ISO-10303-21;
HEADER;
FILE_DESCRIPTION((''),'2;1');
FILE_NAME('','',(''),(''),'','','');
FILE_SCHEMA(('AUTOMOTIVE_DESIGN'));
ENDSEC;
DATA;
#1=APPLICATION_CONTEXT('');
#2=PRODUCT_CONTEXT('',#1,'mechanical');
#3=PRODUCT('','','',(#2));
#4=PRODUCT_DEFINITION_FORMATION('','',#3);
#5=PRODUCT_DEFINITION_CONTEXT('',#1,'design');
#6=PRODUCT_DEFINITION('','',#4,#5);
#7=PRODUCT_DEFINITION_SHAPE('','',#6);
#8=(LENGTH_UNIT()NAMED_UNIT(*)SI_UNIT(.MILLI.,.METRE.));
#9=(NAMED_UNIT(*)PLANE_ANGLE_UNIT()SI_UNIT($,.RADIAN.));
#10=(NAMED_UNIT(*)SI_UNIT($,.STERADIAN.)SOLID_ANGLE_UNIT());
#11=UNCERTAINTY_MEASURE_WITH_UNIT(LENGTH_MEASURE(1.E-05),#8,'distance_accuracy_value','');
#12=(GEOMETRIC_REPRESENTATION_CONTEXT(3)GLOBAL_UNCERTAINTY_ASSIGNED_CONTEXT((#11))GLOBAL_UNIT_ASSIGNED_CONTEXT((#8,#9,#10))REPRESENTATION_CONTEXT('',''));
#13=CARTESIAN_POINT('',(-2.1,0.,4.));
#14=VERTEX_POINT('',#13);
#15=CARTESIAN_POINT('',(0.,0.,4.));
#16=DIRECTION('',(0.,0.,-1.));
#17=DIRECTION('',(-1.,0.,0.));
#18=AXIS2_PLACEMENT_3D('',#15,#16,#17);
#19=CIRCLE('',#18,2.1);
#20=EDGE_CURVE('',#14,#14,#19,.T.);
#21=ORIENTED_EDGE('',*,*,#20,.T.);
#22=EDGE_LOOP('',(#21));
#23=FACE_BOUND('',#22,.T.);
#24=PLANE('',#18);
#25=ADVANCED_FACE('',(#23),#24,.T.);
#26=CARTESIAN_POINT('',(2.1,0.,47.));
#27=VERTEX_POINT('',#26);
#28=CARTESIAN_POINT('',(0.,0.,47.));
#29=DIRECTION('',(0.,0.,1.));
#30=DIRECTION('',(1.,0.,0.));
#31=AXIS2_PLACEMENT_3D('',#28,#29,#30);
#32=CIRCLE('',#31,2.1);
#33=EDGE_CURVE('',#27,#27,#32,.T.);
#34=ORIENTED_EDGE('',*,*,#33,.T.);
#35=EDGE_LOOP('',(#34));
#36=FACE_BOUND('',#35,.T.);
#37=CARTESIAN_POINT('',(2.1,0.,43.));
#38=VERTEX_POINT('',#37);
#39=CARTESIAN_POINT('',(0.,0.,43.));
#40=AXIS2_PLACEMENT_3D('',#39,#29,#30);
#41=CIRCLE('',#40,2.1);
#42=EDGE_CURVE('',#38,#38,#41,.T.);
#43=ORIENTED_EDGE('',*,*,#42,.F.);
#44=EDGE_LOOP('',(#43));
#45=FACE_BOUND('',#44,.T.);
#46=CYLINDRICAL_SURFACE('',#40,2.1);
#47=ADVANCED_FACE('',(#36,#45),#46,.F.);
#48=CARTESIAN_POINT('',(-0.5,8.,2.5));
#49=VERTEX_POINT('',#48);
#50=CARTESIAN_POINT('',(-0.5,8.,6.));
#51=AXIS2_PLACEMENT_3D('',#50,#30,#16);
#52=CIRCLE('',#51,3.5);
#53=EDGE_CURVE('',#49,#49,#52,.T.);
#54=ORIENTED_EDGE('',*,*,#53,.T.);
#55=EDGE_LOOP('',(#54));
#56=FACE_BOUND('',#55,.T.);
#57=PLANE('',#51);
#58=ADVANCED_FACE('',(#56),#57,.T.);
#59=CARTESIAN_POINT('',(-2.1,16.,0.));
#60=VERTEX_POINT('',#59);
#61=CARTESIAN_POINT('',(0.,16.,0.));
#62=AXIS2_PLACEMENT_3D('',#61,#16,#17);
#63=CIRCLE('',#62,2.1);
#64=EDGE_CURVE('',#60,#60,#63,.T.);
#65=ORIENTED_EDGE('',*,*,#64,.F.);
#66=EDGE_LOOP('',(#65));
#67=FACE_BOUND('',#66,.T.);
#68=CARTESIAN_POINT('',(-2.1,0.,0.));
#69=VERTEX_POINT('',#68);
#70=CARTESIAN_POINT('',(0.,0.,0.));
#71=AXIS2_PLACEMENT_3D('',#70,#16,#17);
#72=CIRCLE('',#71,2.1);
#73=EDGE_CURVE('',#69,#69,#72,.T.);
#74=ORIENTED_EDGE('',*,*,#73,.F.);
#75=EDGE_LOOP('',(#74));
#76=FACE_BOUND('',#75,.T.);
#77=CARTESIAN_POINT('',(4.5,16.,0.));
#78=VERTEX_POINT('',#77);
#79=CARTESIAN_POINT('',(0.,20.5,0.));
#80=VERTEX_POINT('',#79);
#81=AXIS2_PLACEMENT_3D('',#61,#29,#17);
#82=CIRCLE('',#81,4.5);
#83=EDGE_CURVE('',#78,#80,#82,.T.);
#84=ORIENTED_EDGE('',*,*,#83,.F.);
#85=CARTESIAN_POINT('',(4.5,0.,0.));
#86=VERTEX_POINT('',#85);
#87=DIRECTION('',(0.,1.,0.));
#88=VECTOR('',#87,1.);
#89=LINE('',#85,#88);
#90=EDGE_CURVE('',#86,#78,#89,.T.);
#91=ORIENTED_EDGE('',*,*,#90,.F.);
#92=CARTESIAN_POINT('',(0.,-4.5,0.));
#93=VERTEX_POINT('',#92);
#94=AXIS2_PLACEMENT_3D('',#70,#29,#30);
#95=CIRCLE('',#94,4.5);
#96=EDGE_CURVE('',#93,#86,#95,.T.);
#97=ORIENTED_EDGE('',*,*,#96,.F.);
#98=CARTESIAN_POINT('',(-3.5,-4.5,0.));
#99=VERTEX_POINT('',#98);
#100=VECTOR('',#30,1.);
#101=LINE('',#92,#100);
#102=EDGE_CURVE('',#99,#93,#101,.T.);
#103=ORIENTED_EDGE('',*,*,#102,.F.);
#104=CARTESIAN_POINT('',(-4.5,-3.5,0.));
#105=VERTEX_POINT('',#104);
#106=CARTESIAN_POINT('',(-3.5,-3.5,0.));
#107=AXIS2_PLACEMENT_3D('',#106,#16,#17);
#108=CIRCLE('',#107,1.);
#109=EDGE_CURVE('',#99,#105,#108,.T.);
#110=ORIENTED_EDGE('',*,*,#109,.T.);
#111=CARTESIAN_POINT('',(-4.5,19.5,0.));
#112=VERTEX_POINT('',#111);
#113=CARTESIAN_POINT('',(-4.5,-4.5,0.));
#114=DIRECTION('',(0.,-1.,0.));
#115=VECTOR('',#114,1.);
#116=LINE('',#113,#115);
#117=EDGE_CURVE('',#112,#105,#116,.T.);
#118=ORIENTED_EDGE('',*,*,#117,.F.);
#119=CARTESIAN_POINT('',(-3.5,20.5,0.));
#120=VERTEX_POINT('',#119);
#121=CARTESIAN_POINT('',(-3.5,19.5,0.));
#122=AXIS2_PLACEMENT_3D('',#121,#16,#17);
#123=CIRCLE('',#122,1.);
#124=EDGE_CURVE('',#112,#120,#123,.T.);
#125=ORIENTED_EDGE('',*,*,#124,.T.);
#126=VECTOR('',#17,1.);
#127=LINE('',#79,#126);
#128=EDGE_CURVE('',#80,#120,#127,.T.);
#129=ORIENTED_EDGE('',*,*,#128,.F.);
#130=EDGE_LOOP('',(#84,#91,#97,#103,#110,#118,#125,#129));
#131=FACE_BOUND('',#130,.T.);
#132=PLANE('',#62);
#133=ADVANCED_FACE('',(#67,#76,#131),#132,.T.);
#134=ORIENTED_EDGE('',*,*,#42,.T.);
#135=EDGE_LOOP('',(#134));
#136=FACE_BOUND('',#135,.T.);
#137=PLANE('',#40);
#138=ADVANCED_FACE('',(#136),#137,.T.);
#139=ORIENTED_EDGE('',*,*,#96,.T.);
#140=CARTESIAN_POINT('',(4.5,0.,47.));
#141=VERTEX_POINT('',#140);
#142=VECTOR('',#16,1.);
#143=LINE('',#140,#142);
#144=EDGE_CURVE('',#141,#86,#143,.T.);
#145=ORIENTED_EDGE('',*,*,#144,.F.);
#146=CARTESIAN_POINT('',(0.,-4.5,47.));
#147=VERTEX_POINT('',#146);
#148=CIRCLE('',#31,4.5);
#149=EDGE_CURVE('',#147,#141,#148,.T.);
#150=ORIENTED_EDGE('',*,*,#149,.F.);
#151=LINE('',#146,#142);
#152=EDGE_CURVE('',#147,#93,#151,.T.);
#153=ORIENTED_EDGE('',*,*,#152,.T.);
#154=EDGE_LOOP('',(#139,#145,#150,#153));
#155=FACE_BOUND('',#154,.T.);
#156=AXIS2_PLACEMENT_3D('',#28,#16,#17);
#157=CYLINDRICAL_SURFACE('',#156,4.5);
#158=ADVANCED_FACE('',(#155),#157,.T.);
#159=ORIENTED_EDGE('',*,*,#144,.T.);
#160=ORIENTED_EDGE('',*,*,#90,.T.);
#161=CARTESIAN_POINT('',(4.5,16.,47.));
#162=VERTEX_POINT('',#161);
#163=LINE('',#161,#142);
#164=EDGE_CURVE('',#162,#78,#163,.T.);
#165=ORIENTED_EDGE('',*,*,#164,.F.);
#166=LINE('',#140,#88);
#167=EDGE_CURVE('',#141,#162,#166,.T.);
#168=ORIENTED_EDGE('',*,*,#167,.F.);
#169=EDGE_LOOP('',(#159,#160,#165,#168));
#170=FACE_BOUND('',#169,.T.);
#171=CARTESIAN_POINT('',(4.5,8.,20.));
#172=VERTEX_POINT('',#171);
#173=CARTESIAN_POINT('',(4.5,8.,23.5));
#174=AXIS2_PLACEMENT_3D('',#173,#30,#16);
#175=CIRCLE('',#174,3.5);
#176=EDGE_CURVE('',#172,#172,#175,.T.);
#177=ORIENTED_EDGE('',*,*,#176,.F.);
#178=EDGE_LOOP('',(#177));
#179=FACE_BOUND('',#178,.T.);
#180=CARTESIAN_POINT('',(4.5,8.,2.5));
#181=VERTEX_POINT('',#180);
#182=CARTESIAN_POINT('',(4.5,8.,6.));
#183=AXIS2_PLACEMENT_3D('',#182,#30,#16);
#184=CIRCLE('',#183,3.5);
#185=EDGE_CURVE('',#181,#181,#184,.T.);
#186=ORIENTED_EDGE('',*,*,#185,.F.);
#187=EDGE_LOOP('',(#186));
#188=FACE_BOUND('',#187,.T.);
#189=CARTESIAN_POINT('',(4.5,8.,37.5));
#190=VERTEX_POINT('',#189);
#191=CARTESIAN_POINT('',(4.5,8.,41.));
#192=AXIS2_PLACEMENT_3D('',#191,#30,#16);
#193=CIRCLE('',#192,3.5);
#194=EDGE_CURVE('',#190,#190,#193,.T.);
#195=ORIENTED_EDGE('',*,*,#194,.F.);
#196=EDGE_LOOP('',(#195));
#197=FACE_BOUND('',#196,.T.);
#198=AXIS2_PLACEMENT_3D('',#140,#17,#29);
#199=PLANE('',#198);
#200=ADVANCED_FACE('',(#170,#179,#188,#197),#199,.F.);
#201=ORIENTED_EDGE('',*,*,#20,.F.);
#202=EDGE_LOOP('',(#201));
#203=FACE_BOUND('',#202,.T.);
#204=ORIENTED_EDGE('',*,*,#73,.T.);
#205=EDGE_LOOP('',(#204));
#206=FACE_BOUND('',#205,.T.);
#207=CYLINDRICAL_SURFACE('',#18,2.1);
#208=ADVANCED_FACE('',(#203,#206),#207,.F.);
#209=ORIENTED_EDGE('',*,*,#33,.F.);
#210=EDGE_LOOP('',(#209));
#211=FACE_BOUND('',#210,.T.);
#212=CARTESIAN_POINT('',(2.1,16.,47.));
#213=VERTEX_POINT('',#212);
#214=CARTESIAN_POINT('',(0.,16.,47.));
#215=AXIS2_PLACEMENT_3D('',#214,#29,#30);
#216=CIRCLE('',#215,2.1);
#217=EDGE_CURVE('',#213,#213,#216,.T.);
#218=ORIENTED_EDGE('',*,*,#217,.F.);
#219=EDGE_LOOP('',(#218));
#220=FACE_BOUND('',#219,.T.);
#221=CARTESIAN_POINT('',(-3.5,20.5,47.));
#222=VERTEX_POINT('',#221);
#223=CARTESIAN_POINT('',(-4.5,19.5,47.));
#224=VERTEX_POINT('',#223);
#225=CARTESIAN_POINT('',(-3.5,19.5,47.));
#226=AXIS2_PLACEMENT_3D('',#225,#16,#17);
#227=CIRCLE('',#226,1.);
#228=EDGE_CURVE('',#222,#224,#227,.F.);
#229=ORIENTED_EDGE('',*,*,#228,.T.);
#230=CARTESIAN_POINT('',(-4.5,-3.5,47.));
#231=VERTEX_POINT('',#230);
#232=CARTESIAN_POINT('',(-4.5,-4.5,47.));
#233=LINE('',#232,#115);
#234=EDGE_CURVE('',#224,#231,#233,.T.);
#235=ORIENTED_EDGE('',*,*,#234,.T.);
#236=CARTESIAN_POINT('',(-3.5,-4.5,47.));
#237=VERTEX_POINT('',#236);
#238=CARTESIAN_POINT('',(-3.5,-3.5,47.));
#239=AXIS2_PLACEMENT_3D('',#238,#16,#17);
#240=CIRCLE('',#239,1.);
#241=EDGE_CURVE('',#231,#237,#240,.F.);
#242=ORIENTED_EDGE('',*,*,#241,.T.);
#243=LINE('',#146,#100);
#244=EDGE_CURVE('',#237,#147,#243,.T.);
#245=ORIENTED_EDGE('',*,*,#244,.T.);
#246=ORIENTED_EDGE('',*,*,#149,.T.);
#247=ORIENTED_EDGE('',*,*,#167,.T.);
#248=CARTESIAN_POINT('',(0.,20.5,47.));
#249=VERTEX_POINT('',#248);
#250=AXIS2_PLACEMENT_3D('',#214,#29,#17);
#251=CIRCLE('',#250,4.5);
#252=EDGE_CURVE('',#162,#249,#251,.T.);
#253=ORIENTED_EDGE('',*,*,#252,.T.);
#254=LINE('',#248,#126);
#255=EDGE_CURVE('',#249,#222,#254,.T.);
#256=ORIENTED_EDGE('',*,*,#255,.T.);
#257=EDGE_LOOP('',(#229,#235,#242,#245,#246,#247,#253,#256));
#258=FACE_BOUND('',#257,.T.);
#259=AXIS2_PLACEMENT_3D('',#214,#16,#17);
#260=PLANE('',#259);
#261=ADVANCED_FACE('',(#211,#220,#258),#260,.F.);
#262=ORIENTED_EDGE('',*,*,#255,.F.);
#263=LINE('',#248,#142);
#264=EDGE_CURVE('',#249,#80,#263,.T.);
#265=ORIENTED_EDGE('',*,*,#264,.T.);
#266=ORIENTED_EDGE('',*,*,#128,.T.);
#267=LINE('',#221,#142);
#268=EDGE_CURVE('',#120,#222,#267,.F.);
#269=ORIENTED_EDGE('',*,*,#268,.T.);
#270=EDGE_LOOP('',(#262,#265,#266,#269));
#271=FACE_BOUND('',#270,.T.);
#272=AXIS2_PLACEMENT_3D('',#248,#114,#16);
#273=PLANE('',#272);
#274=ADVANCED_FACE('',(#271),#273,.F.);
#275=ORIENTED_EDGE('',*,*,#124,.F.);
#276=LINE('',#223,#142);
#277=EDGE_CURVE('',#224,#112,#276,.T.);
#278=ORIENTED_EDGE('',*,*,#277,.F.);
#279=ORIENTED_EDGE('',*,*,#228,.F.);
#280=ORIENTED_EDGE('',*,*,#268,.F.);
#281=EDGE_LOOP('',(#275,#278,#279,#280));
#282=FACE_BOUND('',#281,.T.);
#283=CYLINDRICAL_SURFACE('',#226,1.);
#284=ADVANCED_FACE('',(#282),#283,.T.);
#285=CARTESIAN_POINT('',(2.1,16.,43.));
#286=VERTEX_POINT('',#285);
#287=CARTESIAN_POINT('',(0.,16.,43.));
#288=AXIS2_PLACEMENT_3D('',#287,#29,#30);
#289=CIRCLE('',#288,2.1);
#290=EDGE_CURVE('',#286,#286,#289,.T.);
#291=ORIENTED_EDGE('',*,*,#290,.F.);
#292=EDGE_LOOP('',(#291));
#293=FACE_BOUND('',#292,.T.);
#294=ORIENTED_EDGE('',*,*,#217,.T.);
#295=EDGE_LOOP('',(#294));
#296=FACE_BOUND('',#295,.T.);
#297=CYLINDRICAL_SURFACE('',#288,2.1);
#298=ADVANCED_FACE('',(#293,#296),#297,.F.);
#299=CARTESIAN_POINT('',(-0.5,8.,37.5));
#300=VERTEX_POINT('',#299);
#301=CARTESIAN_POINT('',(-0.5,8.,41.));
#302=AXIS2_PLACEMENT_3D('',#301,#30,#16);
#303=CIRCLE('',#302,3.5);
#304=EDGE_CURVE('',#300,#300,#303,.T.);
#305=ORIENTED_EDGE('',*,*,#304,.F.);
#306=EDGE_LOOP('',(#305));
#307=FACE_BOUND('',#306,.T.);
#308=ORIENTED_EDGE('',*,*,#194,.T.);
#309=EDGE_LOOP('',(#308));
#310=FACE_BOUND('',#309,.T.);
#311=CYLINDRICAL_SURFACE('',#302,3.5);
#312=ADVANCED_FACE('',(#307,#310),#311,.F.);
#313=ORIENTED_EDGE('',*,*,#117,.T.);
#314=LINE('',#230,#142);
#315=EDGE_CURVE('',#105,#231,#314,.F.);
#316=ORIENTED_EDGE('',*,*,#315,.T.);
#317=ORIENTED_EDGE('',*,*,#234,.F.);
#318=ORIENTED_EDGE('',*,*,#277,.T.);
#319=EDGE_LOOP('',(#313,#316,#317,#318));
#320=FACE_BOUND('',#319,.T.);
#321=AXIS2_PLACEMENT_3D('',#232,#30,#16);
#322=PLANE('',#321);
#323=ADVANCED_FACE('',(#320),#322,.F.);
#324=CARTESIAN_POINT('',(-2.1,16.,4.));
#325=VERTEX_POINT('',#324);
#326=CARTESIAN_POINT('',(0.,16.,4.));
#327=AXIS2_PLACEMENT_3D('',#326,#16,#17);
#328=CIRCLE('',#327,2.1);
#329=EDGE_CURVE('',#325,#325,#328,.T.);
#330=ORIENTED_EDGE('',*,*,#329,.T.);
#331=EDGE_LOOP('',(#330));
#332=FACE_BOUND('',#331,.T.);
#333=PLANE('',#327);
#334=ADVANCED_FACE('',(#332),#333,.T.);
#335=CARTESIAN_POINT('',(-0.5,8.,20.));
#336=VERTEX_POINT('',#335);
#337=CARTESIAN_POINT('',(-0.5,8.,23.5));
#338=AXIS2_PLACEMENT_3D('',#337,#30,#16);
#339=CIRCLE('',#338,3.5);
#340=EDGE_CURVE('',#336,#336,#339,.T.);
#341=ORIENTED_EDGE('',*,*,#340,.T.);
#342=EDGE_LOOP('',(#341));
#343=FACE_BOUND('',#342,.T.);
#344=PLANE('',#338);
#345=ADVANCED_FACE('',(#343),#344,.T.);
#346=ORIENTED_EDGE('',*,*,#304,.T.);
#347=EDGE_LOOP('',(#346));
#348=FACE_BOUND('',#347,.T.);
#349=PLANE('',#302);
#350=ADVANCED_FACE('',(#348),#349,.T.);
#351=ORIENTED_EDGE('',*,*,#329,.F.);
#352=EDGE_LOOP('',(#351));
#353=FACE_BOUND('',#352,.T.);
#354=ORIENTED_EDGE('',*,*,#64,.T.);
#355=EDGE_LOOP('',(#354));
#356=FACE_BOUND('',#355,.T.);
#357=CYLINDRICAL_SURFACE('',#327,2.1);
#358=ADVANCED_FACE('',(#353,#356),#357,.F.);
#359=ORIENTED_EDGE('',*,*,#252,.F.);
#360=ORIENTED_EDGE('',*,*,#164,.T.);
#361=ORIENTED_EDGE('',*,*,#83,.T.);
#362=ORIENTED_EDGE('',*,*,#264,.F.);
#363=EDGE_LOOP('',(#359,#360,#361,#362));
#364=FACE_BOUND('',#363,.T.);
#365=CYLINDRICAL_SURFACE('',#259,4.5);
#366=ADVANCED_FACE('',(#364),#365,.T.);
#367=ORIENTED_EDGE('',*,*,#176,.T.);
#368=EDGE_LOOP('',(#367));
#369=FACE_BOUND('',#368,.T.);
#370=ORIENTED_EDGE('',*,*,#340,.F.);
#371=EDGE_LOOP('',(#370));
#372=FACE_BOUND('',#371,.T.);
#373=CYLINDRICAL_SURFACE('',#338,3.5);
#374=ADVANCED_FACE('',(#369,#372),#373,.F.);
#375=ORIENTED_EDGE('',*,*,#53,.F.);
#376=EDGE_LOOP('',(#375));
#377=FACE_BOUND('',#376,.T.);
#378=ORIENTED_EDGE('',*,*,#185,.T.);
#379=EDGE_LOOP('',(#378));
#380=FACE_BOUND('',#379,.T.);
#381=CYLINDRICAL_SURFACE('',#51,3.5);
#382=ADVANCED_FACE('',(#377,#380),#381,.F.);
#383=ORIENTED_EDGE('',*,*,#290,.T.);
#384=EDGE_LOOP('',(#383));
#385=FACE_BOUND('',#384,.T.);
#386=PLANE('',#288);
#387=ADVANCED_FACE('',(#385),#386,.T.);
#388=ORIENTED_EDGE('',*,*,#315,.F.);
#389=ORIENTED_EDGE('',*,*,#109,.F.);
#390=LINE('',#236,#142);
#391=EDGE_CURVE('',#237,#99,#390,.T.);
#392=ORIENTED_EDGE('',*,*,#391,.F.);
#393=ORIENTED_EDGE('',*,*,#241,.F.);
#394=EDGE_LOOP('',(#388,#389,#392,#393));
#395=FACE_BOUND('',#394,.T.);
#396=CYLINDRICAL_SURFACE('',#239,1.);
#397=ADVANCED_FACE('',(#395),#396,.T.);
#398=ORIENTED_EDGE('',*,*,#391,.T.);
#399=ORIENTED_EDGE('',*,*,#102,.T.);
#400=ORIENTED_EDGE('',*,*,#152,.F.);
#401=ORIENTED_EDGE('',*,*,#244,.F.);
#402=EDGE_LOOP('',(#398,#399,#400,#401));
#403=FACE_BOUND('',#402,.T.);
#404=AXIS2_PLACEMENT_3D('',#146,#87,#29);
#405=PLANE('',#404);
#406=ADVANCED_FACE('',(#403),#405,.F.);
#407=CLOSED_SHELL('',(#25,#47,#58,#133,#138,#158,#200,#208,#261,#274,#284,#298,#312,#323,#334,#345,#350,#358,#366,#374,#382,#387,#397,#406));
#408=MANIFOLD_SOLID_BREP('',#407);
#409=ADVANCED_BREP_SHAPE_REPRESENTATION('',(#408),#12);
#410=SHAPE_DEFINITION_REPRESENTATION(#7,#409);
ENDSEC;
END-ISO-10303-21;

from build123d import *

# Parameters (mm, degrees)
BOSS_EXTRUDE1_DEPTH = 47
SKETCH2_R           = 2.1
CUT_EXTRUDE1_DEPTH  = 4
SKETCH3_R           = 2.1
CUT_EXTRUDE2_DEPTH  = 4
SKETCH4_R           = 3.5
CUT_EXTRUDE3_DEPTH  = 5
FILLET1_R           = 1


with BuildPart() as part:
    # Sketch1 → Boss-Extrude1 (new body)
    with BuildSketch(Plane.XY):
        with BuildLine():
            Line((-4.5, -4.5), (-4.5, 20.5))
            Line((-4.5, 20.5), (0, 20.5))
            ThreePointArc((0, 20.5), (3.181980515, 19.181980515), (4.5, 16))
            Line((4.5, 16), (4.5, 0))
            ThreePointArc((4.5, 0), (3.181980515, -3.181980515), (0, -4.5))
            Line((0, -4.5), (-4.5, -4.5))
        make_face()
    extrude(amount=BOSS_EXTRUDE1_DEPTH)

    # Sketch2 → Cut-Extrude1 (cut)
    with BuildSketch(Plane.XY.offset(47)):
        with Locations((0, 16)):
            Circle(SKETCH2_R)
        Circle(SKETCH2_R)
    extrude(amount=-CUT_EXTRUDE1_DEPTH, mode=Mode.SUBTRACT)

    # Sketch3 → Cut-Extrude2 (cut)
    with BuildSketch(Plane(origin=(0, 0, 0), x_dir=(-1, 0, 0), z_dir=(0, 0, -1))):
        Circle(SKETCH3_R)
        with Locations((0, 16)):
            Circle(SKETCH3_R)
    extrude(amount=-CUT_EXTRUDE2_DEPTH, mode=Mode.SUBTRACT)

    # Sketch4 → Cut-Extrude3 (cut)
    with BuildSketch(Plane(origin=(4.5, 0, 0), x_dir=(0, 0, -1), z_dir=(1, 0, 0))):
        with Locations((-41, 8)):
            Circle(SKETCH4_R)
        with Locations((-23.5, 8)):
            Circle(SKETCH4_R)
        with Locations((-6, 8)):
            Circle(SKETCH4_R)
    extrude(amount=-CUT_EXTRUDE3_DEPTH, mode=Mode.SUBTRACT)

    # Fillet1
    fillet1_edges = [part.edges().sort_by_distance(p)[0] for p in [
        (-4.5, -4.5, 23.5),
        (-4.5, 20.5, 23.5),
    ]]
    fillet(fillet1_edges, radius=FILLET1_R)


solid = part.part
